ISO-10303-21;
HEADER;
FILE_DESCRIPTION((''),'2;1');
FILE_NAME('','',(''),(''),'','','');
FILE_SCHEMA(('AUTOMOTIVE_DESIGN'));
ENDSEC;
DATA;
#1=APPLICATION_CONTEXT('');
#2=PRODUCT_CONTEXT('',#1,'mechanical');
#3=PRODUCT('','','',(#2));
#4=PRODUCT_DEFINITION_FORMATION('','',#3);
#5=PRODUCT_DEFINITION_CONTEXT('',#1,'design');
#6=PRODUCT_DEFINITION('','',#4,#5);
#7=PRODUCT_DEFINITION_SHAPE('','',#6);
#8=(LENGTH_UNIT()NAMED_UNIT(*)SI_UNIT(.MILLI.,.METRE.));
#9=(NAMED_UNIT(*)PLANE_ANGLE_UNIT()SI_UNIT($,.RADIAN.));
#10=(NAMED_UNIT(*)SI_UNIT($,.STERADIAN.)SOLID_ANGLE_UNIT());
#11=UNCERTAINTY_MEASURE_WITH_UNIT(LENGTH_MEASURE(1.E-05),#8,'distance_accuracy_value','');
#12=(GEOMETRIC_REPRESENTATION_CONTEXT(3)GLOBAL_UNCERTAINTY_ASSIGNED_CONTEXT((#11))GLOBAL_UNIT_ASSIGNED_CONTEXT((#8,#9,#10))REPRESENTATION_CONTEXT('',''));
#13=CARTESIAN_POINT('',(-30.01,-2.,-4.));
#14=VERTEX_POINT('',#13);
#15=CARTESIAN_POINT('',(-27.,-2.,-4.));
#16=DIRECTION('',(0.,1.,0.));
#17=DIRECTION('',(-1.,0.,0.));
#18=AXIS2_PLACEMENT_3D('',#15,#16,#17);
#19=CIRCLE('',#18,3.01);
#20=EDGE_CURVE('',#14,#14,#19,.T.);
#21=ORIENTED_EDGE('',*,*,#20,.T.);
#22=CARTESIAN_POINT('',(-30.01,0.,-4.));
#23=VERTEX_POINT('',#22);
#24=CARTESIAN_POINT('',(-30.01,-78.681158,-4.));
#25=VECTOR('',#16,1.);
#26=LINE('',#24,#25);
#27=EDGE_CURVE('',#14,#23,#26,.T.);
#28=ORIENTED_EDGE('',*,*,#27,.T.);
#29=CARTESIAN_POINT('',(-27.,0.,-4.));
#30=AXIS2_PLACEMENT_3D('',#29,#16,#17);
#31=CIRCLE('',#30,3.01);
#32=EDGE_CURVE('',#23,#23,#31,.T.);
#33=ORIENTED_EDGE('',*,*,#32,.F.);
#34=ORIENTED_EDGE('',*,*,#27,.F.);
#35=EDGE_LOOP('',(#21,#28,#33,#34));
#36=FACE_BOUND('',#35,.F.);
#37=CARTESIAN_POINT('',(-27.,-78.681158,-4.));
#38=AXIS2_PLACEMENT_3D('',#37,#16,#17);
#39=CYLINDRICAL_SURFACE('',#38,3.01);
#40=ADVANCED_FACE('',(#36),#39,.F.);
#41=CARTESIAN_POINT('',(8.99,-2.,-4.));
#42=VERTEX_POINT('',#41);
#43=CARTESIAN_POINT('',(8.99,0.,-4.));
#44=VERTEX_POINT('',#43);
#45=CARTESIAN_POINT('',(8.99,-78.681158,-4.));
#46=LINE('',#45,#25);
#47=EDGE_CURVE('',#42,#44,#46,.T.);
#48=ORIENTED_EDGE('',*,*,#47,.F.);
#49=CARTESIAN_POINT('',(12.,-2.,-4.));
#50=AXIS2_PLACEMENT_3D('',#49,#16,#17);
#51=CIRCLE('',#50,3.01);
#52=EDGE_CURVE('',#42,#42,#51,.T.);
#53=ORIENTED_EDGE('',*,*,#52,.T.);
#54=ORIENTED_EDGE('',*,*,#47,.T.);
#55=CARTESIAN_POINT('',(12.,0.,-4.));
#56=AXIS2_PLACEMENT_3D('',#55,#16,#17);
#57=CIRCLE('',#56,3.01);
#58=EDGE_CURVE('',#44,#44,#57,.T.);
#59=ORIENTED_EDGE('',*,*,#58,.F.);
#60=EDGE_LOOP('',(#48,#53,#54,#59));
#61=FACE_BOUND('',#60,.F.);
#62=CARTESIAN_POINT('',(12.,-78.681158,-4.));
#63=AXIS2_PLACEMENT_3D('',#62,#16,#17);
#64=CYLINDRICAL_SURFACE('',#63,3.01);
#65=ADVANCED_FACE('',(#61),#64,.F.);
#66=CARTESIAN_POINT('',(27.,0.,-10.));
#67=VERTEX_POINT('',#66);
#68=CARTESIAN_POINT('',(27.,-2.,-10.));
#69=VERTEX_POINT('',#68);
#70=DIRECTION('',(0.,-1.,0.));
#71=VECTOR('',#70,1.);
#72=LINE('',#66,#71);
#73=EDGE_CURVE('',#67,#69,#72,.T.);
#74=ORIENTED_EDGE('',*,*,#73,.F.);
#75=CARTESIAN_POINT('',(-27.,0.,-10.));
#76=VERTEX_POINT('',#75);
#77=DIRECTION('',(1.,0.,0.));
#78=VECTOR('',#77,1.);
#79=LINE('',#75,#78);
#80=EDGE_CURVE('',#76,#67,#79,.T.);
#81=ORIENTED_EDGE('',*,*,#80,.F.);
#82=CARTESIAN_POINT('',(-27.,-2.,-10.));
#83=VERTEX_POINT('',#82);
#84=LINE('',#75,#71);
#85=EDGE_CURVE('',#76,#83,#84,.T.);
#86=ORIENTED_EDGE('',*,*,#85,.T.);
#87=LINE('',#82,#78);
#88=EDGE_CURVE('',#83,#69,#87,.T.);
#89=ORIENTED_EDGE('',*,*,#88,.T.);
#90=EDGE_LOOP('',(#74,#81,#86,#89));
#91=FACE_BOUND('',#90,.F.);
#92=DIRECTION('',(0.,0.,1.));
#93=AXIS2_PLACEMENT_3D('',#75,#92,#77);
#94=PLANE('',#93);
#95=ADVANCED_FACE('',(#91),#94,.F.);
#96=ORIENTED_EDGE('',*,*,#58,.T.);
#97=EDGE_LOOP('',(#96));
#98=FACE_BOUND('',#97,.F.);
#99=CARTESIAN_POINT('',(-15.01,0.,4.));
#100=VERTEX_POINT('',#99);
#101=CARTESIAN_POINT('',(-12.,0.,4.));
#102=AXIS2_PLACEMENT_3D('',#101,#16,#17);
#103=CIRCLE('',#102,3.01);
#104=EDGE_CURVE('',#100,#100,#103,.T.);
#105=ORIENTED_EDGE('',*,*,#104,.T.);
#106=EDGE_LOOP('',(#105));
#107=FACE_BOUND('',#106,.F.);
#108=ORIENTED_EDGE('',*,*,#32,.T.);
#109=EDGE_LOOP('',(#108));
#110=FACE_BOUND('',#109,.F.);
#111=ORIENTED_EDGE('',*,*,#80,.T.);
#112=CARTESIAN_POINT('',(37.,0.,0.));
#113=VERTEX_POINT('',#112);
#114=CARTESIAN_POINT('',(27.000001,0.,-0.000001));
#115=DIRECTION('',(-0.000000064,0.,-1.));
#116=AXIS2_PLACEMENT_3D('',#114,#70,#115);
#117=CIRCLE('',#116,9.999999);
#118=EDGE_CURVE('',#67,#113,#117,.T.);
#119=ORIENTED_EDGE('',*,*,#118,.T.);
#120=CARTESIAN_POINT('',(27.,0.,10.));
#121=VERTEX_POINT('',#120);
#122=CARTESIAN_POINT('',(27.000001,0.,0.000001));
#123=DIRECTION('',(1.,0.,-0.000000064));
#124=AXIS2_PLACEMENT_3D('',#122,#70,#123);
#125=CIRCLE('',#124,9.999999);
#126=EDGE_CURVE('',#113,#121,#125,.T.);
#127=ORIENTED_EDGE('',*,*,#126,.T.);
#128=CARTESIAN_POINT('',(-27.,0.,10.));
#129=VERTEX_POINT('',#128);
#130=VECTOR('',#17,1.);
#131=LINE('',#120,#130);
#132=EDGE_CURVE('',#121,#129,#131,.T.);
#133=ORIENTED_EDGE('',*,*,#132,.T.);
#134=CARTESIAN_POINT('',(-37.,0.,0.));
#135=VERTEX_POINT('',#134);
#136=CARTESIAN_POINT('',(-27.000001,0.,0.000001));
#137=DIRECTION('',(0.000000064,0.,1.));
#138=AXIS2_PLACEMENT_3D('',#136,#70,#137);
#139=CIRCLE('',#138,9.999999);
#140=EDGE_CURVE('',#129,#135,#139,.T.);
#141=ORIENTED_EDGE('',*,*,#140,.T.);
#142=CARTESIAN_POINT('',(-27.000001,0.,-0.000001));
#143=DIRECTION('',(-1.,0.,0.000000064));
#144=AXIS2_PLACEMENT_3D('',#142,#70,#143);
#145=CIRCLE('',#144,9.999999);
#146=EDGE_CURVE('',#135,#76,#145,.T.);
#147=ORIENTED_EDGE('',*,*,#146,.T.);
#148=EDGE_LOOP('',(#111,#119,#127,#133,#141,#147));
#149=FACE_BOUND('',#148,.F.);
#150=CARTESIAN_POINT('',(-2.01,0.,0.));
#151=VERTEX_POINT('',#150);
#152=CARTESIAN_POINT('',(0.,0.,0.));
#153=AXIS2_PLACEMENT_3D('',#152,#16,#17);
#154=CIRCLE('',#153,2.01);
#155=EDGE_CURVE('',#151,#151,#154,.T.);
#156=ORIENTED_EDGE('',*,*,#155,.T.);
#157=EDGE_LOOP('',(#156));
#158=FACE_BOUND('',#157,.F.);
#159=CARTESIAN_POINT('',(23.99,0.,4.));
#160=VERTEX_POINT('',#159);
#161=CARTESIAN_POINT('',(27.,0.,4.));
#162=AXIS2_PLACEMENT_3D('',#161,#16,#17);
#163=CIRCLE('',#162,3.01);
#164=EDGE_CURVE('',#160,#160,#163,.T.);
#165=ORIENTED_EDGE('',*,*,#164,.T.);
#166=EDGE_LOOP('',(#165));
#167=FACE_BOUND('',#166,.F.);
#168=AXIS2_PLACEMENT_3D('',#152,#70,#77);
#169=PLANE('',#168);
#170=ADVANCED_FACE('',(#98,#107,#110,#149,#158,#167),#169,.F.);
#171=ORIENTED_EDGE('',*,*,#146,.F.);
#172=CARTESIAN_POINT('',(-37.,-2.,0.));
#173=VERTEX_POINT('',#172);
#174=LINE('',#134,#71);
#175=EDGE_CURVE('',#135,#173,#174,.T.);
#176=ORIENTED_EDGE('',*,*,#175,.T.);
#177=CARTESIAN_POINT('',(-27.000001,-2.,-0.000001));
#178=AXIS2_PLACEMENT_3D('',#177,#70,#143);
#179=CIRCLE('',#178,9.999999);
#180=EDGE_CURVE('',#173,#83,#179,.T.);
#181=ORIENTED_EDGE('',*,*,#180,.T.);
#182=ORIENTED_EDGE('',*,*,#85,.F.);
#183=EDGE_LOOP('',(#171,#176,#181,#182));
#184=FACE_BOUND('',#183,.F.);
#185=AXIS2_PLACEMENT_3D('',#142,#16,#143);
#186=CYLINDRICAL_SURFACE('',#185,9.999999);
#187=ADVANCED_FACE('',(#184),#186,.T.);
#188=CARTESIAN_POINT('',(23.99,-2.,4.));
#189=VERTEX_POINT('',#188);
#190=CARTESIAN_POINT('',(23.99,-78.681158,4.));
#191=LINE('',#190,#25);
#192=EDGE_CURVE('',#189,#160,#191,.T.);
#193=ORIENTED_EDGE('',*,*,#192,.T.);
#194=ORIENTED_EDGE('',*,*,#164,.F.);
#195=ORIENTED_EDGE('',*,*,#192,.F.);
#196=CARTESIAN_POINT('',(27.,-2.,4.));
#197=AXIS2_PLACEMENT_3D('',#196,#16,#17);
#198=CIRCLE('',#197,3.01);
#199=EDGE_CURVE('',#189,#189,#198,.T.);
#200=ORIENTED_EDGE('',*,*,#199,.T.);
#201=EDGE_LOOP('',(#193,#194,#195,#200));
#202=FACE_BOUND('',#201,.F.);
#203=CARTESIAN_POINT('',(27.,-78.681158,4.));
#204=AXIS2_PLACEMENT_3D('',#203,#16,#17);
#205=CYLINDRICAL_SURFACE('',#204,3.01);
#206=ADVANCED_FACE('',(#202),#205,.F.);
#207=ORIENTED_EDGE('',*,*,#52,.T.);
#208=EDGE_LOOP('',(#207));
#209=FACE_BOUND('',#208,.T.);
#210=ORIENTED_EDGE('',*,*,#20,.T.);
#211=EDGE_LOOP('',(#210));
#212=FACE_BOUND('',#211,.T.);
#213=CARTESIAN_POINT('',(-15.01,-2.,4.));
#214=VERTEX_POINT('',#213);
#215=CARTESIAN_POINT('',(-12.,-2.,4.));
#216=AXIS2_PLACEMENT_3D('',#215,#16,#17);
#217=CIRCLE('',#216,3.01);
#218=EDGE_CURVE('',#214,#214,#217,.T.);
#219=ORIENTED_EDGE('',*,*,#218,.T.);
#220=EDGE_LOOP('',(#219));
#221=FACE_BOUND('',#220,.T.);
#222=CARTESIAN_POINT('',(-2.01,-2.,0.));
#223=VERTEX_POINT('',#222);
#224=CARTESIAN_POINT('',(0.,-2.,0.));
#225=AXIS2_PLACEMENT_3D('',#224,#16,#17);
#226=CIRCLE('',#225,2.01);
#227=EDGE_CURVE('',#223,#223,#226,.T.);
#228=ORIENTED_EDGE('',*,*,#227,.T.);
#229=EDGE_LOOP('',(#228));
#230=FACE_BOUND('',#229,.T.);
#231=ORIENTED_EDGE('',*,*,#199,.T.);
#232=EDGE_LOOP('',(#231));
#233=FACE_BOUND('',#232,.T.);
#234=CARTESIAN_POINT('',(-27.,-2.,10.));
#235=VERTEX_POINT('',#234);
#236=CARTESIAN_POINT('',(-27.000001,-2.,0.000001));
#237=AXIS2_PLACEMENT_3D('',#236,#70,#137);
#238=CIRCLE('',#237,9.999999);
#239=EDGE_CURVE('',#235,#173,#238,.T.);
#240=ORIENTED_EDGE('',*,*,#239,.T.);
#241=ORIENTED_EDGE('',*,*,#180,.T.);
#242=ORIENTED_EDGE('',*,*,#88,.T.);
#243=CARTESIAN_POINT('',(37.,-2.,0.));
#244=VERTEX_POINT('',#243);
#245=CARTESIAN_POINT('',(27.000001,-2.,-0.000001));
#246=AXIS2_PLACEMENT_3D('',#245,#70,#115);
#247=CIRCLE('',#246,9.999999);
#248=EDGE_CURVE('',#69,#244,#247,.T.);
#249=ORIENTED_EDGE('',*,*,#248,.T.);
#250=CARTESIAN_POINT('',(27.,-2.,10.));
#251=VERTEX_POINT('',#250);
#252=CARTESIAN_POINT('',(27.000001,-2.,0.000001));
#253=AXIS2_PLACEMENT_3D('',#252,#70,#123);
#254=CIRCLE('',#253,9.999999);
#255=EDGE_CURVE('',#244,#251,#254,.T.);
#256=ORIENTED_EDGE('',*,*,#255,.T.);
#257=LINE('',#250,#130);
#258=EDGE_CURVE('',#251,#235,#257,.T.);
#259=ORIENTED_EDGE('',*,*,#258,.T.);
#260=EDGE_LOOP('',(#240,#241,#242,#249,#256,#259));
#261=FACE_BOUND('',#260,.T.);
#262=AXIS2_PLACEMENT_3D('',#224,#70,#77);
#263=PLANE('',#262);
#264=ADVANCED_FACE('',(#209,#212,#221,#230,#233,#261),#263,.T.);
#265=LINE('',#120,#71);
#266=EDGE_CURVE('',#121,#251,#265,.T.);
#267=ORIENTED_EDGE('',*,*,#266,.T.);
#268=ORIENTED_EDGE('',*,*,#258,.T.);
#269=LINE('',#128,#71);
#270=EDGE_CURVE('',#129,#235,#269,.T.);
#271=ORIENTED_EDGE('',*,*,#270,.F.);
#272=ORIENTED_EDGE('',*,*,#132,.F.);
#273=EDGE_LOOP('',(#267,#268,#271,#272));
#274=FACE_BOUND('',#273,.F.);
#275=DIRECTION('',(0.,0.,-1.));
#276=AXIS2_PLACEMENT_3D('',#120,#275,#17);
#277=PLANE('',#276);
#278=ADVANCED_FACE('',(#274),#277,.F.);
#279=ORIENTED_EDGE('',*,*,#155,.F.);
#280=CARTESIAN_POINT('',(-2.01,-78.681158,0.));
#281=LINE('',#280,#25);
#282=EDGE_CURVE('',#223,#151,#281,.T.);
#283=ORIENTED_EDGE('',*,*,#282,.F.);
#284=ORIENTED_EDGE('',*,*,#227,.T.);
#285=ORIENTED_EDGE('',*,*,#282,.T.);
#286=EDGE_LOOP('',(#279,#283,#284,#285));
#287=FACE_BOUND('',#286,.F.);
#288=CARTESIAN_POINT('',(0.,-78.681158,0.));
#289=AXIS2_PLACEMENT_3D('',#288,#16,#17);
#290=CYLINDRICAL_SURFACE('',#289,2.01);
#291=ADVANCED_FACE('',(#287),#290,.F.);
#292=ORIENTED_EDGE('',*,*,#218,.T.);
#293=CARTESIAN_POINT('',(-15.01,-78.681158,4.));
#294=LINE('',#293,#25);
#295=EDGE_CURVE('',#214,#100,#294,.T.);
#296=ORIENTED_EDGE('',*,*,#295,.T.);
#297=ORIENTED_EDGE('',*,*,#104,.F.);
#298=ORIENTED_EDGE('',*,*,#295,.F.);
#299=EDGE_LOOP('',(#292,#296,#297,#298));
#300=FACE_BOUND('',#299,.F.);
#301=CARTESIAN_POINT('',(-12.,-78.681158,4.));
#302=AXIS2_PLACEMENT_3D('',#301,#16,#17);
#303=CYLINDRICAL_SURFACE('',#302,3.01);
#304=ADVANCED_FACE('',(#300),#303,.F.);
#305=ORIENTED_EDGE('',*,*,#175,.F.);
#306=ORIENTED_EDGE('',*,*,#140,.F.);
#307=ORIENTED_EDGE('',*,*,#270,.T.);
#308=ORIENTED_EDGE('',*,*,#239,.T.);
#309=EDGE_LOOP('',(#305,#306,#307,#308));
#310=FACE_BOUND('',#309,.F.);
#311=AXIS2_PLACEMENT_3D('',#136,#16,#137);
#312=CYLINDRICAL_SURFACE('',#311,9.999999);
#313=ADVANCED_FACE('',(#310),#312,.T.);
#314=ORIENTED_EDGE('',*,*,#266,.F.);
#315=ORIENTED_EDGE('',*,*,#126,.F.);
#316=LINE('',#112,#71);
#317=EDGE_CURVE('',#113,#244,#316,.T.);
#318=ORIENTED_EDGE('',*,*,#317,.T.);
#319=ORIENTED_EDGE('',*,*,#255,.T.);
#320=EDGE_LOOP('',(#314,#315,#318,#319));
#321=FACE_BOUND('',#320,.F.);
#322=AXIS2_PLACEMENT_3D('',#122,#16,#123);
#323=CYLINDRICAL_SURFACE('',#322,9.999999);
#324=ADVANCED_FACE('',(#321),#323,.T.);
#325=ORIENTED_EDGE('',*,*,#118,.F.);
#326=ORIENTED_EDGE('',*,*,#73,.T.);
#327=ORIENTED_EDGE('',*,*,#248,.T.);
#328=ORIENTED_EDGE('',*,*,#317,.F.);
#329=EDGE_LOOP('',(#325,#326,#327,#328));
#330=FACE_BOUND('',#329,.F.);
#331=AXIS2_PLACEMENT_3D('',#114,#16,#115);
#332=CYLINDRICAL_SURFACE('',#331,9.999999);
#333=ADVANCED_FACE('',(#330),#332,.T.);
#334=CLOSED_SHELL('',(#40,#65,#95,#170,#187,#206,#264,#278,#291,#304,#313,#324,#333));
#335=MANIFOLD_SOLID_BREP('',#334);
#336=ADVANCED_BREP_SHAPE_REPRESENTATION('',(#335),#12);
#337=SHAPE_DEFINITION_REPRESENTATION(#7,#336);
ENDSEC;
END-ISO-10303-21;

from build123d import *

# Parameters (mm, degrees)
F1_DEPTH = 2
F3_D     = 6.02
F5_D     = 4.02


with BuildPart() as f1:
    # F0 (on Front) → F1 (new body)
    with BuildSketch(Plane.XZ):
        with BuildLine():
            ThreePointArc((37, 0), (34.071068, 7.071068), (27, 10))
            Line((27, 10), (-27, 10))
            ThreePointArc((-27, 10), (-34.071068, 7.071068), (-37, 0))
            ThreePointArc((-37, 0), (-34.071068, -7.071068), (-27, -10))
            Line((-27, -10), (27, -10))
            ThreePointArc((27, -10), (34.071068, -7.071068), (37, 0))
        make_face()
    extrude(amount=F1_DEPTH)

    # F3 (through all)
    with Locations(Plane.XZ.offset(2)):
        with Locations((-12, 4), (-27, -4), (27, 4), (12, -4)):
            Hole(F3_D / 2)

    # F5 (through all)
    with Locations(Plane.XZ.offset(2)):
        with Locations((0, 0)):
            Hole(F5_D / 2)


solid = f1.part
